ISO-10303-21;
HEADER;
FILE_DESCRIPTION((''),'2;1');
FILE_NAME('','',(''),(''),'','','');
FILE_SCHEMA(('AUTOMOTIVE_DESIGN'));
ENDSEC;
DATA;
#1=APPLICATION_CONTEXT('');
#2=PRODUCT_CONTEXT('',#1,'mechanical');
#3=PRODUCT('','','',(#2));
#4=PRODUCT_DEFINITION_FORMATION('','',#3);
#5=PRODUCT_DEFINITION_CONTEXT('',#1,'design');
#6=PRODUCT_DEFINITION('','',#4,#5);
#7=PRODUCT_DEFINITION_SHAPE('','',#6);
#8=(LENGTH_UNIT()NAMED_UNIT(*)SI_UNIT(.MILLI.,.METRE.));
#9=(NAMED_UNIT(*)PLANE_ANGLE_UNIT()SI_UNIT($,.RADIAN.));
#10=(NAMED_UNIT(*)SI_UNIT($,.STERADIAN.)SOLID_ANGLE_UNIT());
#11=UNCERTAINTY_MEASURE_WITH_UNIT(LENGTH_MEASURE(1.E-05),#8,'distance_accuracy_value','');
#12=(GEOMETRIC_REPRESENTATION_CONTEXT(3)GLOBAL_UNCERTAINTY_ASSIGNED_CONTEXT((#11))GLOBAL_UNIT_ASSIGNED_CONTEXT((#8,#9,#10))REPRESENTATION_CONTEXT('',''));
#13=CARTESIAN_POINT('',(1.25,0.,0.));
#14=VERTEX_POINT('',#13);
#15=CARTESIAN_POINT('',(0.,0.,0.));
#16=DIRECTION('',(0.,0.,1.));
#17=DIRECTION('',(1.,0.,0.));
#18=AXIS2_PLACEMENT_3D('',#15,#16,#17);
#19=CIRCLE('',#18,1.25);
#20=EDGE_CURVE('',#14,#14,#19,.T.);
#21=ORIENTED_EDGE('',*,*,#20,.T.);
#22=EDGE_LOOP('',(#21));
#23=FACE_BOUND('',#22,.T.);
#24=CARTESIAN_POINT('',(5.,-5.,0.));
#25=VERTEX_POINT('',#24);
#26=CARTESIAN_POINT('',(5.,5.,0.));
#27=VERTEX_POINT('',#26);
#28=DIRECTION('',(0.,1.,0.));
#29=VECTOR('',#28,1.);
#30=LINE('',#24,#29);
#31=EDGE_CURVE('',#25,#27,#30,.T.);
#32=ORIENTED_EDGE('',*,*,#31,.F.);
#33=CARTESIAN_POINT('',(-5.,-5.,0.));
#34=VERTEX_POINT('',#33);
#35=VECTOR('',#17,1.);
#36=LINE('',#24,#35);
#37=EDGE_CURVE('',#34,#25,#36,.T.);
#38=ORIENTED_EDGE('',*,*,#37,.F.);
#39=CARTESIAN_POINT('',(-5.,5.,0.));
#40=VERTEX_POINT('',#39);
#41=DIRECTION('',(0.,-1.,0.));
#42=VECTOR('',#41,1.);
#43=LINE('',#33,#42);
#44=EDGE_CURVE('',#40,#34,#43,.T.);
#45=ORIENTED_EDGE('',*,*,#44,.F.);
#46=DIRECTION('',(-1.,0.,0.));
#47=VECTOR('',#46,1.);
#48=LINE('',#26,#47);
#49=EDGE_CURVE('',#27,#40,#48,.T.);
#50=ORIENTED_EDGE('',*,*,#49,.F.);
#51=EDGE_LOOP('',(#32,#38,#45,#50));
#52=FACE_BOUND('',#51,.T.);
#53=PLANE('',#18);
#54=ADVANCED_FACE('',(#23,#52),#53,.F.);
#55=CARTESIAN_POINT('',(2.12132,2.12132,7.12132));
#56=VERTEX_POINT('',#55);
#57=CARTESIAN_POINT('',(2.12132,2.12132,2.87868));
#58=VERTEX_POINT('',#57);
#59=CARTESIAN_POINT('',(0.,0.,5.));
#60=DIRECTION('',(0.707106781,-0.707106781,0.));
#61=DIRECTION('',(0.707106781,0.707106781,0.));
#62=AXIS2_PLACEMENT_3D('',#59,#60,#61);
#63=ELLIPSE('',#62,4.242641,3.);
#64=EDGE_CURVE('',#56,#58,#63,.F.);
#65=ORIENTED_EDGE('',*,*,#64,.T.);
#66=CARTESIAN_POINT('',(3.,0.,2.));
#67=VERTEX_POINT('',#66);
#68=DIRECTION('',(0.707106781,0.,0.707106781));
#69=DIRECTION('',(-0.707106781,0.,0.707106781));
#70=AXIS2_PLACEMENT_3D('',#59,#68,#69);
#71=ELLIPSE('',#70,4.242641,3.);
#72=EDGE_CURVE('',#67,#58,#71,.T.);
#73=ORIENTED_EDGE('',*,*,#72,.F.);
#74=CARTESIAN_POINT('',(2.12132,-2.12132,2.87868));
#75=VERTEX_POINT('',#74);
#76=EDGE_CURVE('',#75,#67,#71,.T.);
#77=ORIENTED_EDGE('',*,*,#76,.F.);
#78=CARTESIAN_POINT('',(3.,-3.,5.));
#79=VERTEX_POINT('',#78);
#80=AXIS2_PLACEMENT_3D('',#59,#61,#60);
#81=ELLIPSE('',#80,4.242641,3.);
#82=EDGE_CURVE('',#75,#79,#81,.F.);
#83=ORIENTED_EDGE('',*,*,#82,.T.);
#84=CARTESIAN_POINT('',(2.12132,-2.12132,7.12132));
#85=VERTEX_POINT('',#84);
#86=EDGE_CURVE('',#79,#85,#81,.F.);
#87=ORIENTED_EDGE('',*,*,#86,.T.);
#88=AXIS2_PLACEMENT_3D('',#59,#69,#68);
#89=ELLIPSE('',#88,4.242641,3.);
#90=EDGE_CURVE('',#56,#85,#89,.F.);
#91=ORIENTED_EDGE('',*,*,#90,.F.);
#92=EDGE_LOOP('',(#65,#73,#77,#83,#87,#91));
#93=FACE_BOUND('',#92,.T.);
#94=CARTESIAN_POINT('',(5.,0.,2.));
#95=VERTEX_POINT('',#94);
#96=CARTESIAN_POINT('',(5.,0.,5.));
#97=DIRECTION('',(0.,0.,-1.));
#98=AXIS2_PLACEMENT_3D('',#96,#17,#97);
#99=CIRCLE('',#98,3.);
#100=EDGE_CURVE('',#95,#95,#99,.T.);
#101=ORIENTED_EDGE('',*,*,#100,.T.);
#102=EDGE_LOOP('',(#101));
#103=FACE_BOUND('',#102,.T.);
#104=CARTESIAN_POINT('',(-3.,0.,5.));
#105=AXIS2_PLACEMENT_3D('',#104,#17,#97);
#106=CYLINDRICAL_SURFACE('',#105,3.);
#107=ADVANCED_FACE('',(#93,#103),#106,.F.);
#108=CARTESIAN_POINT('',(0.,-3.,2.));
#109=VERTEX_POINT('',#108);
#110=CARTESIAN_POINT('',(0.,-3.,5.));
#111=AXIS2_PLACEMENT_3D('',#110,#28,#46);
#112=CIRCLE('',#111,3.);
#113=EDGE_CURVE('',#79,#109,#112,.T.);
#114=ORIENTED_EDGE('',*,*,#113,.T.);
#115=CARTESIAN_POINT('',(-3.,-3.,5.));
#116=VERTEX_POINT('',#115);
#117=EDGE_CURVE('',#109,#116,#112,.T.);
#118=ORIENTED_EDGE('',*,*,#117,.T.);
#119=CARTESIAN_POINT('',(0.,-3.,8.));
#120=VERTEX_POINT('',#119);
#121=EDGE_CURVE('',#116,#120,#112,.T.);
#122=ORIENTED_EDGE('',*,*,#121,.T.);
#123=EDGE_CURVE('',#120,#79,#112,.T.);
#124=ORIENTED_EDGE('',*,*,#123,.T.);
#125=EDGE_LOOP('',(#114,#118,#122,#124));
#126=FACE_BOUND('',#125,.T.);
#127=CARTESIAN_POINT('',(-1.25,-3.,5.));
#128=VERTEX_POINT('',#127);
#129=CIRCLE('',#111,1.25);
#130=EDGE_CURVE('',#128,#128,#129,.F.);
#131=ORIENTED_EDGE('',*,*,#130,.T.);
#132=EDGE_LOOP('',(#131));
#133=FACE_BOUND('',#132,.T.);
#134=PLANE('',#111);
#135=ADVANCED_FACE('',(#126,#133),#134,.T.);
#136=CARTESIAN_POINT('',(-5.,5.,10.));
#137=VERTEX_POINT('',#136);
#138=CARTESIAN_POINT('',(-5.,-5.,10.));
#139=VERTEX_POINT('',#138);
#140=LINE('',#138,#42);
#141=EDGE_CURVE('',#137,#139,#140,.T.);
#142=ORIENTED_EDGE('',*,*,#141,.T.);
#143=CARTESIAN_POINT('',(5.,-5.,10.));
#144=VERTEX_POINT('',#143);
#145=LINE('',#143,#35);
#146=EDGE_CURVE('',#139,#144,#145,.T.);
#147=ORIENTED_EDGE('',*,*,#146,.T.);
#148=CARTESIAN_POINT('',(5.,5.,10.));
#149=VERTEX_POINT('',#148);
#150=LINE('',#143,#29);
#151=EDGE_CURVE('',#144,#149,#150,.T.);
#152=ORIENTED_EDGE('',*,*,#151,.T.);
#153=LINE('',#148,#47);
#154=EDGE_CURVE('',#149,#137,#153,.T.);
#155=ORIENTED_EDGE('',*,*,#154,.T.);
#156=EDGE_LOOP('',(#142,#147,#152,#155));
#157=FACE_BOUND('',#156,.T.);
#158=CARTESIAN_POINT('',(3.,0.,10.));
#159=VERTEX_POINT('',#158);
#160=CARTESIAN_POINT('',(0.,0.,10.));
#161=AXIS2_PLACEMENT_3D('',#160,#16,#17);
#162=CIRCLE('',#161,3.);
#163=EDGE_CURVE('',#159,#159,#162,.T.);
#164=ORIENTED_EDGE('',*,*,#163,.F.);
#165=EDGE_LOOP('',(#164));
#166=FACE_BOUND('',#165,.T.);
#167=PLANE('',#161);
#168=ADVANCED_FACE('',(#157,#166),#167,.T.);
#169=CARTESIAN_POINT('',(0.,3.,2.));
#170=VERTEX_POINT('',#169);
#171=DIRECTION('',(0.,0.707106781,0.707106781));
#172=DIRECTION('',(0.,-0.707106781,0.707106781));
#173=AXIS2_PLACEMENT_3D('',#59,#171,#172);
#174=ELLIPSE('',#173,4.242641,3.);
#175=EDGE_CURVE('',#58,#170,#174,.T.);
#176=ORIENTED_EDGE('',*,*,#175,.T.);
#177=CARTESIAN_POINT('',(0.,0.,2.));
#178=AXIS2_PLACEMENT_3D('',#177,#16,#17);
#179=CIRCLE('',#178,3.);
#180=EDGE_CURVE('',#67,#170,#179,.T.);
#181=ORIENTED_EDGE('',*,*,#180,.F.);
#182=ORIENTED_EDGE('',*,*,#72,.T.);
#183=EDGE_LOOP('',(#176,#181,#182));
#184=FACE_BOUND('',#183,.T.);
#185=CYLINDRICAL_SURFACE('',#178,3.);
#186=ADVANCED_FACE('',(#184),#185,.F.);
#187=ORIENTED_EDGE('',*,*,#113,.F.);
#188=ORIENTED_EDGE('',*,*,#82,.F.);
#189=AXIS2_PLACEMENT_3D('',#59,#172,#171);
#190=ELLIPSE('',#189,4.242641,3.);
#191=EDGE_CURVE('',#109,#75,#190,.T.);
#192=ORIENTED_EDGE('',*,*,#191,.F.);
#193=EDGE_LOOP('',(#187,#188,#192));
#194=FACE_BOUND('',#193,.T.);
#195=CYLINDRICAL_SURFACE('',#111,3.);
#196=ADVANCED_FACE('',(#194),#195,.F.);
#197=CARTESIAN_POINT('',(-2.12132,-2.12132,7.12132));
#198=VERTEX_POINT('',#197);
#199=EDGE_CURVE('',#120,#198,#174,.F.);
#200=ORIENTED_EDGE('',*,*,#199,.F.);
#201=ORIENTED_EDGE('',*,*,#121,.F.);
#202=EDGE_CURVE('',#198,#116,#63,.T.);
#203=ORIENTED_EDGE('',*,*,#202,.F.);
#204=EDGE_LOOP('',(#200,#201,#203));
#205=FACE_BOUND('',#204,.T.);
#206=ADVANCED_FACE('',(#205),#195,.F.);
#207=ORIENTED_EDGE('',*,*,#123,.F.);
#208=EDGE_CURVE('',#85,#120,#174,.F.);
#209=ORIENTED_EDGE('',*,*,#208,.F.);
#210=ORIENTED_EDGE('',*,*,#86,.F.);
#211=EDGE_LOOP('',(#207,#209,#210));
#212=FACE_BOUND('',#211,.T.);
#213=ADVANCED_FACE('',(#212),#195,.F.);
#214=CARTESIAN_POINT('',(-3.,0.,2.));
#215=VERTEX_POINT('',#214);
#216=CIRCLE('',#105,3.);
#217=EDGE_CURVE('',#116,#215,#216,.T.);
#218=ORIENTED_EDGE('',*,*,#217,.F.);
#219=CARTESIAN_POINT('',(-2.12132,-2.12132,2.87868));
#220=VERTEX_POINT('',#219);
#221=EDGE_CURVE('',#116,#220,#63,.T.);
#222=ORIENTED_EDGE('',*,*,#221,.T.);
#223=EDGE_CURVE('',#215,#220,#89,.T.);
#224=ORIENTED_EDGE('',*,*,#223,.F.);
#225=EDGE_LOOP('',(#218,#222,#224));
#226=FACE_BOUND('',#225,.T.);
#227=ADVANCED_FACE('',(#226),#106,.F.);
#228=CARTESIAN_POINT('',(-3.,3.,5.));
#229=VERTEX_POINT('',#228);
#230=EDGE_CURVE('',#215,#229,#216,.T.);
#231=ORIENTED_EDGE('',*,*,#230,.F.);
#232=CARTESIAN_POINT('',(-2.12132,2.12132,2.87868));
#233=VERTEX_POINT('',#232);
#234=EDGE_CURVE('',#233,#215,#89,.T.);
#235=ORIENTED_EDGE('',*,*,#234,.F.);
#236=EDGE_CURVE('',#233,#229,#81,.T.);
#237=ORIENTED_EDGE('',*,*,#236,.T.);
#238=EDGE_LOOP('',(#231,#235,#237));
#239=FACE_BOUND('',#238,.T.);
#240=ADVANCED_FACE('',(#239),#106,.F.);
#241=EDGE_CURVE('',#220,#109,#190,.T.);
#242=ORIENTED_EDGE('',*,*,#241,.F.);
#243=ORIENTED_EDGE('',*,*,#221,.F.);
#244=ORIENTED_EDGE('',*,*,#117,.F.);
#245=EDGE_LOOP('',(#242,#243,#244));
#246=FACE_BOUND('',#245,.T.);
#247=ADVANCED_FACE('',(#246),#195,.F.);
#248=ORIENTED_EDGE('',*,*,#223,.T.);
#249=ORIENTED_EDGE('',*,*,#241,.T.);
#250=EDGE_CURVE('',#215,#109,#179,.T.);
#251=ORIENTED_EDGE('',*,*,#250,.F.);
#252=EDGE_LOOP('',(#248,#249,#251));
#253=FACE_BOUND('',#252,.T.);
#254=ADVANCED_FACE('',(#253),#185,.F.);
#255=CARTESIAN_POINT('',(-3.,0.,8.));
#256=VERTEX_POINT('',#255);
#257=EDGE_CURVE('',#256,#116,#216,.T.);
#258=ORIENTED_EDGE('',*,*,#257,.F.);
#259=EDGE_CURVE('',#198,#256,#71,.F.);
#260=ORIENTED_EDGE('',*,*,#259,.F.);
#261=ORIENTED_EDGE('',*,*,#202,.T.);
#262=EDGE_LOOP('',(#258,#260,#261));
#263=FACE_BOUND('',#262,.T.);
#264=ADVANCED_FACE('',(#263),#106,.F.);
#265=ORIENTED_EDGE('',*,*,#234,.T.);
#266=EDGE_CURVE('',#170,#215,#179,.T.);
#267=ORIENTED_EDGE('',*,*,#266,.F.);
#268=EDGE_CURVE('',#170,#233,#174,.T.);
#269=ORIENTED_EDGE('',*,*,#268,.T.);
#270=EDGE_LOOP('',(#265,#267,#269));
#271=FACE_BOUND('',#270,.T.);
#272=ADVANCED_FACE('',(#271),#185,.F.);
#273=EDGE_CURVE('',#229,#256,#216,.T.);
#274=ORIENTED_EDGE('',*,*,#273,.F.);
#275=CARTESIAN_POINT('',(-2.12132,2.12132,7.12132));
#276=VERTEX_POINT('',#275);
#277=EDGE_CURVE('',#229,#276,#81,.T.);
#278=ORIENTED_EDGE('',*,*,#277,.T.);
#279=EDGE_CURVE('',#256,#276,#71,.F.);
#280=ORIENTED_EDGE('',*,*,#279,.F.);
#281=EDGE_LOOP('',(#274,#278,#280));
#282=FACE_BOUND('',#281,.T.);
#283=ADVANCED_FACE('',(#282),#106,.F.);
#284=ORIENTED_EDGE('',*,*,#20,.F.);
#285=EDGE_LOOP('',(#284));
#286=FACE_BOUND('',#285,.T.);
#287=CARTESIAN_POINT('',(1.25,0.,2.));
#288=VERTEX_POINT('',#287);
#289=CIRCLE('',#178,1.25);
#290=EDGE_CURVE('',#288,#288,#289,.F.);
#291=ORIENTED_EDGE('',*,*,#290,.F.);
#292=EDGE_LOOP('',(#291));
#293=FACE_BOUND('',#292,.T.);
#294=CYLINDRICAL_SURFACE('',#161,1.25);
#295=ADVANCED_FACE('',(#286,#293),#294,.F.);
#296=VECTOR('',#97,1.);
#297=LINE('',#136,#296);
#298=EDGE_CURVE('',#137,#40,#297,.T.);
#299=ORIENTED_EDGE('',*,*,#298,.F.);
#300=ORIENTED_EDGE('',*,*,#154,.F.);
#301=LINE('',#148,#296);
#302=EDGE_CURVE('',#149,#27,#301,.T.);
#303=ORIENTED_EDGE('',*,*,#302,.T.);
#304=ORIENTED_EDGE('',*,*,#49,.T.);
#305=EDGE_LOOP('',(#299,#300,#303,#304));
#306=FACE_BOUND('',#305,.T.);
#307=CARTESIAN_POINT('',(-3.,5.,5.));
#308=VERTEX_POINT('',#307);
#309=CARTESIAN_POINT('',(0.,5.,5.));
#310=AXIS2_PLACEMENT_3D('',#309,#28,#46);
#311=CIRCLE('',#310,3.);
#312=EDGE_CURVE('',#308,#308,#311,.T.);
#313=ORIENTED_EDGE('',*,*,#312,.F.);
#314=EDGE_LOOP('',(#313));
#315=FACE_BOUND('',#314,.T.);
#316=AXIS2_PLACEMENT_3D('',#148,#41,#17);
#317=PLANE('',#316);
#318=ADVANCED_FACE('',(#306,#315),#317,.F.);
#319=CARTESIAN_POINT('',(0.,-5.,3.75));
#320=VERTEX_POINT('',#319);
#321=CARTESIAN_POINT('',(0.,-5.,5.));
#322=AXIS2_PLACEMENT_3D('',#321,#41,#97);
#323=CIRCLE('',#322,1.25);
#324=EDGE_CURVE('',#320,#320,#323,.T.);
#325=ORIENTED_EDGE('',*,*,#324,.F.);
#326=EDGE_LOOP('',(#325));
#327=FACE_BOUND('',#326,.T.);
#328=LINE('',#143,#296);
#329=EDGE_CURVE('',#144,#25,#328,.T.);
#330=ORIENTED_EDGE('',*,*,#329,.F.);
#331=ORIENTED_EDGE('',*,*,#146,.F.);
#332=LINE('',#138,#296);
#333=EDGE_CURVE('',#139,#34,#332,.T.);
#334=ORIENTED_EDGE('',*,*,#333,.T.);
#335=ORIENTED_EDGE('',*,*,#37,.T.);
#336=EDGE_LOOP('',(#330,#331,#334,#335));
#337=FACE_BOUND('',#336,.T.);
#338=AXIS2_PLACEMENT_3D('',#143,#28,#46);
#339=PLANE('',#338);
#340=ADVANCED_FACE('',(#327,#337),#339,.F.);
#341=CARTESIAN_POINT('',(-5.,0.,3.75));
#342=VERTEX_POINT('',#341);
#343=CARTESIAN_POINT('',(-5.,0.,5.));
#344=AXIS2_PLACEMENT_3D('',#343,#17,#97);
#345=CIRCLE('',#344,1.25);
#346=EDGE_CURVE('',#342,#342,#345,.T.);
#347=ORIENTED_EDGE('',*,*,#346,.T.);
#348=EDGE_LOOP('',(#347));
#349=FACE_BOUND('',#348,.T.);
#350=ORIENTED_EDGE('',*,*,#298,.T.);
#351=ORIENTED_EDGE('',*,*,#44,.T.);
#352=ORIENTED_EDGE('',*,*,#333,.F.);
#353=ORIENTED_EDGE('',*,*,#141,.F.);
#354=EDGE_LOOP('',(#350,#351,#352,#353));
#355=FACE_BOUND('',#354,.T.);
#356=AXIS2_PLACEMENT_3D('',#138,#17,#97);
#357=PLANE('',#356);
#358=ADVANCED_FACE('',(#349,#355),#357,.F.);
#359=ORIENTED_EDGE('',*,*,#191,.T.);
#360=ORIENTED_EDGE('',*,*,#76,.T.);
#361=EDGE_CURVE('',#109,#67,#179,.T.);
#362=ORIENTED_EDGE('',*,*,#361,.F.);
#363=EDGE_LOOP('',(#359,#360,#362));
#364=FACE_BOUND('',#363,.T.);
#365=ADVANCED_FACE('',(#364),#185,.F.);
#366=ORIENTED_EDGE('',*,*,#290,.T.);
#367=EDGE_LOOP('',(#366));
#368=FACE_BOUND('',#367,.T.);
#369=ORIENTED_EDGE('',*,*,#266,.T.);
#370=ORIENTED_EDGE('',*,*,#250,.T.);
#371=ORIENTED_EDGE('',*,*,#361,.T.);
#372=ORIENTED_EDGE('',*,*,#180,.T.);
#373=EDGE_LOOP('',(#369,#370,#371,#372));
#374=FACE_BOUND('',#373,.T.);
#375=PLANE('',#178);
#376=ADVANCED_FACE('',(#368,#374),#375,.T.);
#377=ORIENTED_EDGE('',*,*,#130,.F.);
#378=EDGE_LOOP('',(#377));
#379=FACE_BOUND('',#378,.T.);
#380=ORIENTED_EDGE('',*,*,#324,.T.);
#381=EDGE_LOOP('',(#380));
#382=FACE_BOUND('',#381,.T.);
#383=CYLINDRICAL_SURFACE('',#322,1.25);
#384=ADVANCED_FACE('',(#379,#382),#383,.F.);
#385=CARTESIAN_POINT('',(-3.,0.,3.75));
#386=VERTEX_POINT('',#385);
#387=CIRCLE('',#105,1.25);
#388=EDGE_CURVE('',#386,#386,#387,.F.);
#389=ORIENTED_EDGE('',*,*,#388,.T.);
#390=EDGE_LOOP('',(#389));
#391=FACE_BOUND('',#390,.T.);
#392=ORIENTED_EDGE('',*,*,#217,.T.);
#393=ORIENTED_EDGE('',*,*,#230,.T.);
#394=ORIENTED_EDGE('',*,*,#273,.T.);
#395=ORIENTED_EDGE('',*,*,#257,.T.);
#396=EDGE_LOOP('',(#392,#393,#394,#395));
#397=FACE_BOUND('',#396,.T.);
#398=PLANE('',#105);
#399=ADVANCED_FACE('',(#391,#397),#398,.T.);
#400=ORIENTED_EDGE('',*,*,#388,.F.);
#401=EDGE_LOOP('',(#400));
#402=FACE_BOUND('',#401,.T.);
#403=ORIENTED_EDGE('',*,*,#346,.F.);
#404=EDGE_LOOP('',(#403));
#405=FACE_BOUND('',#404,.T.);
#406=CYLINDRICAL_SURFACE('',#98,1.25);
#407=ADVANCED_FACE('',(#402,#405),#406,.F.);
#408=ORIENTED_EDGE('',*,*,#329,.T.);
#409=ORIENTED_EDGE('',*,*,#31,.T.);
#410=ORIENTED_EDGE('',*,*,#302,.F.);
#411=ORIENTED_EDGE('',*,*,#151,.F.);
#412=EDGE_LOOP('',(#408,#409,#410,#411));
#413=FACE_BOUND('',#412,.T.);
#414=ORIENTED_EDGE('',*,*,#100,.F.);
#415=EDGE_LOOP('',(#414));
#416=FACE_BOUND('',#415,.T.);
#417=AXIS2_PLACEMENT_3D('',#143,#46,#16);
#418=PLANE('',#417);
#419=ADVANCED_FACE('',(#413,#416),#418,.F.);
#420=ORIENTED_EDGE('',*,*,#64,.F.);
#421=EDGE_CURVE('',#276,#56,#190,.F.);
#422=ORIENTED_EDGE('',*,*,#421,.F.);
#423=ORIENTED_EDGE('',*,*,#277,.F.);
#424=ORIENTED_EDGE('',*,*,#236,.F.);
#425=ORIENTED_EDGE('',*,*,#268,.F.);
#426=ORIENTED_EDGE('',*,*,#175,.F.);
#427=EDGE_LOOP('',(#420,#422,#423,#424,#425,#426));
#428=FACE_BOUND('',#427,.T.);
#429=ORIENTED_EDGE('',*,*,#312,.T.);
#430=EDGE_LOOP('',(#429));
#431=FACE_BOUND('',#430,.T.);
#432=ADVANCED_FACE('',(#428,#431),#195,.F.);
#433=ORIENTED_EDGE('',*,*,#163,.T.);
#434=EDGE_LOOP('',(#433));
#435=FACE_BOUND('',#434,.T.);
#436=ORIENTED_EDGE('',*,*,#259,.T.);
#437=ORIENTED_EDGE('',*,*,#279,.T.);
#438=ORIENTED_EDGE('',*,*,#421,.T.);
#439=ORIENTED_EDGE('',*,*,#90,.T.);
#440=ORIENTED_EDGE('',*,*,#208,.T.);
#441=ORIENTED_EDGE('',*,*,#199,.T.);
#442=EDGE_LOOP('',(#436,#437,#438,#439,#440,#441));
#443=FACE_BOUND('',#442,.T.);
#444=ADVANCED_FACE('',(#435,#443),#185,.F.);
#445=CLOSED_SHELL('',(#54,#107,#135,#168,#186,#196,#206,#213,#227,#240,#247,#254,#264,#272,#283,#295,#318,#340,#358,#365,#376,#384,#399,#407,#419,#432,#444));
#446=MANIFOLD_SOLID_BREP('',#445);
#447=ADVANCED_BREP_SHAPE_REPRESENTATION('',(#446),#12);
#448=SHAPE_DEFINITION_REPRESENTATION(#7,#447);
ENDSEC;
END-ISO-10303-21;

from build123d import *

# Parameters (mm, degrees)
SCHIZZO1_W                   = 10
SCHIZZO1_H                   = 10
ESTRUSIONE_ESTRUSIONE1_DEPTH = 10
FORO_FILETTATO_M3X0_5_1_D    = 2.5
FORO_FILETTATO_M3X0_5_2_D    = 2.5
FORO_FILETTATO_M3X0_5_3_D    = 2.5
SCHIZZO8_R                   = 3
TAGLIO_ESTRUSIONE1_DEPTH     = 8
SCHIZZO9_R                   = 3
TAGLIO_ESTRUSIONE2_DEPTH     = 8
SCHIZZO10_R                  = 3
TAGLIO_ESTRUSIONE3_DEPTH     = 8


with BuildPart() as part:
    # Schizzo1 → Estrusione-Estrusione1 (new body)
    with BuildSketch(Plane.XY):
        Rectangle(SCHIZZO1_W, SCHIZZO1_H)
    extrude(amount=ESTRUSIONE_ESTRUSIONE1_DEPTH)

    # Foro filettato M3x0.5-1 (through all)
    with Locations(Plane.XY.offset(10)):
        with Locations((0, 0)):
            Hole(FORO_FILETTATO_M3X0_5_1_D / 2)

    # Foro filettato M3x0.5-2 (through all)
    with Locations(Plane(origin=(5, 0, 0), x_dir=(0, 0, -1), z_dir=(1, 0, 0))):
        with Locations((-5, 0)):
            Hole(FORO_FILETTATO_M3X0_5_2_D / 2)

    # Foro filettato M3x0.5-3 (through all)
    with Locations(Plane(origin=(0, -5, 0), x_dir=(-1, 0, 0), z_dir=(0, -1, 0))):
        with Locations((0, -5)):
            Hole(FORO_FILETTATO_M3X0_5_3_D / 2)

    # Schizzo8 → Taglio-Estrusione1 (cut)
    with BuildSketch(Plane.XY.offset(10)):
        Circle(SCHIZZO8_R)
    extrude(amount=-TAGLIO_ESTRUSIONE1_DEPTH, mode=Mode.SUBTRACT)

    # Schizzo9 → Taglio-Estrusione2 (cut)
    with BuildSketch(Plane(origin=(5, 0, 0), x_dir=(0, 0, -1), z_dir=(1, 0, 0))):
        with Locations((-5, 0)):
            Circle(SCHIZZO9_R)
    extrude(amount=-TAGLIO_ESTRUSIONE2_DEPTH, mode=Mode.SUBTRACT)

    # Schizzo10 → Taglio-Estrusione3 (cut)
    with BuildSketch(Plane(origin=(0, 5, 0), x_dir=(1, 0, 0), z_dir=(0, 1, 0))):
        with Locations((0, -5)):
            Circle(SCHIZZO10_R)
    extrude(amount=-TAGLIO_ESTRUSIONE3_DEPTH, mode=Mode.SUBTRACT)


solid = part.part
